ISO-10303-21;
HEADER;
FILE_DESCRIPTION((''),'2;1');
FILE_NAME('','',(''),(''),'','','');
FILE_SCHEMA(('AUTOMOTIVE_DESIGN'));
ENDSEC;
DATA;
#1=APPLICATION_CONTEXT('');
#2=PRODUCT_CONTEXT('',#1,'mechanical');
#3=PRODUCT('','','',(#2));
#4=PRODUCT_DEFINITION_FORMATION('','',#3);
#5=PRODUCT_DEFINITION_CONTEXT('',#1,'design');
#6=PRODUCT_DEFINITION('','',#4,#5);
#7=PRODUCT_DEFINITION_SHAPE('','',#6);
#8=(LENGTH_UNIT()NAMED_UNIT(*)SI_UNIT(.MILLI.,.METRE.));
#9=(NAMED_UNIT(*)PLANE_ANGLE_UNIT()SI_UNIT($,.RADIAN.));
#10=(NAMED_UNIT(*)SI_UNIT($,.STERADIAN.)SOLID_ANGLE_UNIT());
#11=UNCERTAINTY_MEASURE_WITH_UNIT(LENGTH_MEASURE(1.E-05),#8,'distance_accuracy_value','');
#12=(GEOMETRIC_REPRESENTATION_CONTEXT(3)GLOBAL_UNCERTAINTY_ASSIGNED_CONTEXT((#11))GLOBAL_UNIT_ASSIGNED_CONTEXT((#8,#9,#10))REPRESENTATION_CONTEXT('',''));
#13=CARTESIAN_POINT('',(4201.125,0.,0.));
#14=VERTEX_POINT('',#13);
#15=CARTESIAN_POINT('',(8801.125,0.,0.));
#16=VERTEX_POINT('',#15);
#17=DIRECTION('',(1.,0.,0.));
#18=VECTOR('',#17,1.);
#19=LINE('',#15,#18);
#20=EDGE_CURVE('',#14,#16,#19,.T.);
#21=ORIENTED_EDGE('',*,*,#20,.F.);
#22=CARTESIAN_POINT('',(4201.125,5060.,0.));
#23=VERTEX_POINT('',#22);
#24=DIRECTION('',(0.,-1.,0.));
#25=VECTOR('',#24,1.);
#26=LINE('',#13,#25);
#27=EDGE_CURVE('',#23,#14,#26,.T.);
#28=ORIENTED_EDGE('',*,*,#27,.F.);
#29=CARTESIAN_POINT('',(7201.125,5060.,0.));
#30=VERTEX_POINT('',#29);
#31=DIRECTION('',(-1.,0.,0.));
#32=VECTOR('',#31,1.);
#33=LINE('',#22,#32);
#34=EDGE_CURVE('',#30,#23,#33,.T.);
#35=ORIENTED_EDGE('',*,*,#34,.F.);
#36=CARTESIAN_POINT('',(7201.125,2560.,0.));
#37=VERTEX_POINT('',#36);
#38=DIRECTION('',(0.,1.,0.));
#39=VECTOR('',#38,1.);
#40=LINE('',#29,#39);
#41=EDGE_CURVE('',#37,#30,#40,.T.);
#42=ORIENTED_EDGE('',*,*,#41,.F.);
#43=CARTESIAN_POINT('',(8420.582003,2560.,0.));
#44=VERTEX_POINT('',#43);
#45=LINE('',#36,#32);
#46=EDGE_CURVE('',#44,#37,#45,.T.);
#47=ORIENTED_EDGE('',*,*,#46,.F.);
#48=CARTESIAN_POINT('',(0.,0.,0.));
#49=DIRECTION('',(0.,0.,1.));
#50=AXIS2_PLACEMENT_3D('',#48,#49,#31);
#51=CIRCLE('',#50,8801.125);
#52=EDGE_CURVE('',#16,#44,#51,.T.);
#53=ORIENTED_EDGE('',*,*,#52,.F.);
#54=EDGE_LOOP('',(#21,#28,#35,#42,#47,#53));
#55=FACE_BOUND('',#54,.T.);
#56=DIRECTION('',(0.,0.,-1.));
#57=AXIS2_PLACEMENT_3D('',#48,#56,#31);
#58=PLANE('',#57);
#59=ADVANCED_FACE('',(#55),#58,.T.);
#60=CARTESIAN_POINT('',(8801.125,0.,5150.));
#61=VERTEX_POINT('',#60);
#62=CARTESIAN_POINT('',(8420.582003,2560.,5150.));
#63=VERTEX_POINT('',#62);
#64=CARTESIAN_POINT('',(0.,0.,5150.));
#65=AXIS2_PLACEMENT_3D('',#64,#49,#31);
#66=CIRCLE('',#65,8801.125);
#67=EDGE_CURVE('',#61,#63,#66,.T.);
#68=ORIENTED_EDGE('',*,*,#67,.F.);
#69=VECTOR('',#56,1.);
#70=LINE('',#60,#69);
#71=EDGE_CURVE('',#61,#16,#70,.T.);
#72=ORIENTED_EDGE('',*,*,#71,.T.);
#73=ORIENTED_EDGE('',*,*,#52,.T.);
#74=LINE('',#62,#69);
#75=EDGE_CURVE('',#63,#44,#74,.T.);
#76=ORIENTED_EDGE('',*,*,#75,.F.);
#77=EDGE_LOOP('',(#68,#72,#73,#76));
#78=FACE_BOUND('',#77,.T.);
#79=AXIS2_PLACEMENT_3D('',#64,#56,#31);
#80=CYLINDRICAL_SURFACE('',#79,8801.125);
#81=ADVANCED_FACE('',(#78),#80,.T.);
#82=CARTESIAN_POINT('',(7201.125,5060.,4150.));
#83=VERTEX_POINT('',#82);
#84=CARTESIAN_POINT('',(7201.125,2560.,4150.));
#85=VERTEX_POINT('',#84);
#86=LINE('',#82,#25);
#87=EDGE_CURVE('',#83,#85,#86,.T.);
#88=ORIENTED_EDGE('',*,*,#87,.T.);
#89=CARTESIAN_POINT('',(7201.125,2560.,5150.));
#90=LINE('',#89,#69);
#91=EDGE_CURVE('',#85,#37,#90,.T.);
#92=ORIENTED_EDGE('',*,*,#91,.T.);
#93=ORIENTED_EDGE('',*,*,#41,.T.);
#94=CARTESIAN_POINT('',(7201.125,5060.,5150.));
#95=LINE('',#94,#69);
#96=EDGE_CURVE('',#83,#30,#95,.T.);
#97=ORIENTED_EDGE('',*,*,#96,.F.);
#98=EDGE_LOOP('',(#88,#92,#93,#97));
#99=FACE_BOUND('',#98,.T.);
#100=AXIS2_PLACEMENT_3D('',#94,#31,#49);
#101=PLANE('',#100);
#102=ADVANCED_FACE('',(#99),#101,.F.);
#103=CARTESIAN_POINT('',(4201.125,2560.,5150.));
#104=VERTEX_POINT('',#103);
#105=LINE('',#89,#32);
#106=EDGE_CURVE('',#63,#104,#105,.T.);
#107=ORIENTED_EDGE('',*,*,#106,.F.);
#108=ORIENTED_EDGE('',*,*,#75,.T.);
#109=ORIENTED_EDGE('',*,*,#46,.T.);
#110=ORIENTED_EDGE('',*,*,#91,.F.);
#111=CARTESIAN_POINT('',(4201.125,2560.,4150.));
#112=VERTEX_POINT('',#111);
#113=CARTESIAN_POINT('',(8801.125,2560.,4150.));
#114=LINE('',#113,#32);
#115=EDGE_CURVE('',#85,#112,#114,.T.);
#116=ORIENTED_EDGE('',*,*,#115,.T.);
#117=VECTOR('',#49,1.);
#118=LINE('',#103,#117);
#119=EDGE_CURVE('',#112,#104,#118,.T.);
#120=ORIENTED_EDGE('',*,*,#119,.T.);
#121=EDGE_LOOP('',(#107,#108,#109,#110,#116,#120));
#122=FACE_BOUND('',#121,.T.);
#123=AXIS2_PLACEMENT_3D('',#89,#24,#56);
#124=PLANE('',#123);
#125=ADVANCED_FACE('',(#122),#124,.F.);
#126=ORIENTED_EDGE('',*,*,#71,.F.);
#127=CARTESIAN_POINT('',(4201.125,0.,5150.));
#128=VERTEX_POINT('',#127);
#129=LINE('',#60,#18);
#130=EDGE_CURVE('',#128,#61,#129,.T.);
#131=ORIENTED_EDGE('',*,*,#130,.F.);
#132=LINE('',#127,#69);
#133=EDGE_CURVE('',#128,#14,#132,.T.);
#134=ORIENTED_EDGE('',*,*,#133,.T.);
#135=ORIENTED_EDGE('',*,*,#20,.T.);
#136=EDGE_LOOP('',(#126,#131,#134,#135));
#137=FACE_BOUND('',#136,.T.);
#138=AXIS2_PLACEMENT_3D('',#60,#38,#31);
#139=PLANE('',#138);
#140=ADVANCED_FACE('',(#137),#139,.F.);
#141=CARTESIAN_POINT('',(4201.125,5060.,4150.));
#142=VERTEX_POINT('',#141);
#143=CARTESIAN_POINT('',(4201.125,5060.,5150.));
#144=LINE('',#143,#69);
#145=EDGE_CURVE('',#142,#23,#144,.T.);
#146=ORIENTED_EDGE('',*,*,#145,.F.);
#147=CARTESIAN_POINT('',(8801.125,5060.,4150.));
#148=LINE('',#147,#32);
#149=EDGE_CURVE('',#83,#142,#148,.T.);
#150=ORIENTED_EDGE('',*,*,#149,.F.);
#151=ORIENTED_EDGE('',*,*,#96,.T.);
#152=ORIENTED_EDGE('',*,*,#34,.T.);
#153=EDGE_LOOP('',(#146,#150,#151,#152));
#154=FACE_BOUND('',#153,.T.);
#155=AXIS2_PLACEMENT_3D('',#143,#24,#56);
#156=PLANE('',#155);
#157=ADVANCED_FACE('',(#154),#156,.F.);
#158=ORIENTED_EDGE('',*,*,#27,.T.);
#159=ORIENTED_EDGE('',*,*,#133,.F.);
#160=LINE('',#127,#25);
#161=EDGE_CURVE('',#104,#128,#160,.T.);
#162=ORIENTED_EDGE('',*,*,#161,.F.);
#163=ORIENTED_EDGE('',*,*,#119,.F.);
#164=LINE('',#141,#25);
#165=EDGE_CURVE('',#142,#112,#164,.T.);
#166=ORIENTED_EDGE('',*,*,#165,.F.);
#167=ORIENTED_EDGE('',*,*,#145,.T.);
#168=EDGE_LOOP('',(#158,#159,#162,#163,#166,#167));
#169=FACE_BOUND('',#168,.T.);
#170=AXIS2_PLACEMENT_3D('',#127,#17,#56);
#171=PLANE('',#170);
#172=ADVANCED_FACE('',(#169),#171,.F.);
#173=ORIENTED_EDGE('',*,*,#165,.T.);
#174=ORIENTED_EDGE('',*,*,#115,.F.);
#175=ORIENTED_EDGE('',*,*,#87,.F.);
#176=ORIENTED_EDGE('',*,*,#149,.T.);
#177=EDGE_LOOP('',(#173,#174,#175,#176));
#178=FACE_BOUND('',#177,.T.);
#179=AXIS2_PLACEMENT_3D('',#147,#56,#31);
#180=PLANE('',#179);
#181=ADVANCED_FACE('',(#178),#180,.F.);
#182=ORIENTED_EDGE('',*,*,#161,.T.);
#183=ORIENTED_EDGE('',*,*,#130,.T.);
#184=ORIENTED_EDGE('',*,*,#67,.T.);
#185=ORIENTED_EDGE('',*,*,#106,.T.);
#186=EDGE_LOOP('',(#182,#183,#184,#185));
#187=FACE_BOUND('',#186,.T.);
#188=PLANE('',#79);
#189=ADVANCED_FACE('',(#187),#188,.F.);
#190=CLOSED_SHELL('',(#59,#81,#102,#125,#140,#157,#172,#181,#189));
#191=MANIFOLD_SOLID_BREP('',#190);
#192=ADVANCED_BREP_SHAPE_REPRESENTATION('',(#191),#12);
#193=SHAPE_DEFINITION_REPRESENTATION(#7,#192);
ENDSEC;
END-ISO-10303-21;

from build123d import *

# Parameters (mm, degrees)
EXTRUDE_1_DEPTH     = 5150
SKETCH_3_W          = 1000
SKETCH_3_H          = 2500
CUT_EXTRUDE_1_DEPTH = 8561.73010905


with BuildPart() as part:
    # Эскиз2 → Бобышка-Вытянуть1 (new body)
    with BuildSketch(Plane.XY):
        with BuildLine():
            Line((4201.125, 5060), (7201.125, 5060))
            Line((7201.125, 5060), (7201.125, 2560))
            Line((7201.125, 2560), (8420.582002785, 2560))
            ThreePointArc((8420.582002785, 2560), (8705.469431481, 1294.064620945), (8801.125, 0))
            Line((8801.125, 0), (4201.125, 0))
            Line((4201.125, 0), (4201.125, 5060))
        make_face()
    extrude(amount=EXTRUDE_1_DEPTH)

    # Эскиз3 → Вырез-Вытянуть1 (cut, through all)
    with BuildSketch(Plane.ZY.offset(-4201.125)):
        with Locations((4650, 3810)):
            Rectangle(SKETCH_3_W, SKETCH_3_H)
    extrude(amount=-CUT_EXTRUDE_1_DEPTH, mode=Mode.SUBTRACT)


solid = part.part
